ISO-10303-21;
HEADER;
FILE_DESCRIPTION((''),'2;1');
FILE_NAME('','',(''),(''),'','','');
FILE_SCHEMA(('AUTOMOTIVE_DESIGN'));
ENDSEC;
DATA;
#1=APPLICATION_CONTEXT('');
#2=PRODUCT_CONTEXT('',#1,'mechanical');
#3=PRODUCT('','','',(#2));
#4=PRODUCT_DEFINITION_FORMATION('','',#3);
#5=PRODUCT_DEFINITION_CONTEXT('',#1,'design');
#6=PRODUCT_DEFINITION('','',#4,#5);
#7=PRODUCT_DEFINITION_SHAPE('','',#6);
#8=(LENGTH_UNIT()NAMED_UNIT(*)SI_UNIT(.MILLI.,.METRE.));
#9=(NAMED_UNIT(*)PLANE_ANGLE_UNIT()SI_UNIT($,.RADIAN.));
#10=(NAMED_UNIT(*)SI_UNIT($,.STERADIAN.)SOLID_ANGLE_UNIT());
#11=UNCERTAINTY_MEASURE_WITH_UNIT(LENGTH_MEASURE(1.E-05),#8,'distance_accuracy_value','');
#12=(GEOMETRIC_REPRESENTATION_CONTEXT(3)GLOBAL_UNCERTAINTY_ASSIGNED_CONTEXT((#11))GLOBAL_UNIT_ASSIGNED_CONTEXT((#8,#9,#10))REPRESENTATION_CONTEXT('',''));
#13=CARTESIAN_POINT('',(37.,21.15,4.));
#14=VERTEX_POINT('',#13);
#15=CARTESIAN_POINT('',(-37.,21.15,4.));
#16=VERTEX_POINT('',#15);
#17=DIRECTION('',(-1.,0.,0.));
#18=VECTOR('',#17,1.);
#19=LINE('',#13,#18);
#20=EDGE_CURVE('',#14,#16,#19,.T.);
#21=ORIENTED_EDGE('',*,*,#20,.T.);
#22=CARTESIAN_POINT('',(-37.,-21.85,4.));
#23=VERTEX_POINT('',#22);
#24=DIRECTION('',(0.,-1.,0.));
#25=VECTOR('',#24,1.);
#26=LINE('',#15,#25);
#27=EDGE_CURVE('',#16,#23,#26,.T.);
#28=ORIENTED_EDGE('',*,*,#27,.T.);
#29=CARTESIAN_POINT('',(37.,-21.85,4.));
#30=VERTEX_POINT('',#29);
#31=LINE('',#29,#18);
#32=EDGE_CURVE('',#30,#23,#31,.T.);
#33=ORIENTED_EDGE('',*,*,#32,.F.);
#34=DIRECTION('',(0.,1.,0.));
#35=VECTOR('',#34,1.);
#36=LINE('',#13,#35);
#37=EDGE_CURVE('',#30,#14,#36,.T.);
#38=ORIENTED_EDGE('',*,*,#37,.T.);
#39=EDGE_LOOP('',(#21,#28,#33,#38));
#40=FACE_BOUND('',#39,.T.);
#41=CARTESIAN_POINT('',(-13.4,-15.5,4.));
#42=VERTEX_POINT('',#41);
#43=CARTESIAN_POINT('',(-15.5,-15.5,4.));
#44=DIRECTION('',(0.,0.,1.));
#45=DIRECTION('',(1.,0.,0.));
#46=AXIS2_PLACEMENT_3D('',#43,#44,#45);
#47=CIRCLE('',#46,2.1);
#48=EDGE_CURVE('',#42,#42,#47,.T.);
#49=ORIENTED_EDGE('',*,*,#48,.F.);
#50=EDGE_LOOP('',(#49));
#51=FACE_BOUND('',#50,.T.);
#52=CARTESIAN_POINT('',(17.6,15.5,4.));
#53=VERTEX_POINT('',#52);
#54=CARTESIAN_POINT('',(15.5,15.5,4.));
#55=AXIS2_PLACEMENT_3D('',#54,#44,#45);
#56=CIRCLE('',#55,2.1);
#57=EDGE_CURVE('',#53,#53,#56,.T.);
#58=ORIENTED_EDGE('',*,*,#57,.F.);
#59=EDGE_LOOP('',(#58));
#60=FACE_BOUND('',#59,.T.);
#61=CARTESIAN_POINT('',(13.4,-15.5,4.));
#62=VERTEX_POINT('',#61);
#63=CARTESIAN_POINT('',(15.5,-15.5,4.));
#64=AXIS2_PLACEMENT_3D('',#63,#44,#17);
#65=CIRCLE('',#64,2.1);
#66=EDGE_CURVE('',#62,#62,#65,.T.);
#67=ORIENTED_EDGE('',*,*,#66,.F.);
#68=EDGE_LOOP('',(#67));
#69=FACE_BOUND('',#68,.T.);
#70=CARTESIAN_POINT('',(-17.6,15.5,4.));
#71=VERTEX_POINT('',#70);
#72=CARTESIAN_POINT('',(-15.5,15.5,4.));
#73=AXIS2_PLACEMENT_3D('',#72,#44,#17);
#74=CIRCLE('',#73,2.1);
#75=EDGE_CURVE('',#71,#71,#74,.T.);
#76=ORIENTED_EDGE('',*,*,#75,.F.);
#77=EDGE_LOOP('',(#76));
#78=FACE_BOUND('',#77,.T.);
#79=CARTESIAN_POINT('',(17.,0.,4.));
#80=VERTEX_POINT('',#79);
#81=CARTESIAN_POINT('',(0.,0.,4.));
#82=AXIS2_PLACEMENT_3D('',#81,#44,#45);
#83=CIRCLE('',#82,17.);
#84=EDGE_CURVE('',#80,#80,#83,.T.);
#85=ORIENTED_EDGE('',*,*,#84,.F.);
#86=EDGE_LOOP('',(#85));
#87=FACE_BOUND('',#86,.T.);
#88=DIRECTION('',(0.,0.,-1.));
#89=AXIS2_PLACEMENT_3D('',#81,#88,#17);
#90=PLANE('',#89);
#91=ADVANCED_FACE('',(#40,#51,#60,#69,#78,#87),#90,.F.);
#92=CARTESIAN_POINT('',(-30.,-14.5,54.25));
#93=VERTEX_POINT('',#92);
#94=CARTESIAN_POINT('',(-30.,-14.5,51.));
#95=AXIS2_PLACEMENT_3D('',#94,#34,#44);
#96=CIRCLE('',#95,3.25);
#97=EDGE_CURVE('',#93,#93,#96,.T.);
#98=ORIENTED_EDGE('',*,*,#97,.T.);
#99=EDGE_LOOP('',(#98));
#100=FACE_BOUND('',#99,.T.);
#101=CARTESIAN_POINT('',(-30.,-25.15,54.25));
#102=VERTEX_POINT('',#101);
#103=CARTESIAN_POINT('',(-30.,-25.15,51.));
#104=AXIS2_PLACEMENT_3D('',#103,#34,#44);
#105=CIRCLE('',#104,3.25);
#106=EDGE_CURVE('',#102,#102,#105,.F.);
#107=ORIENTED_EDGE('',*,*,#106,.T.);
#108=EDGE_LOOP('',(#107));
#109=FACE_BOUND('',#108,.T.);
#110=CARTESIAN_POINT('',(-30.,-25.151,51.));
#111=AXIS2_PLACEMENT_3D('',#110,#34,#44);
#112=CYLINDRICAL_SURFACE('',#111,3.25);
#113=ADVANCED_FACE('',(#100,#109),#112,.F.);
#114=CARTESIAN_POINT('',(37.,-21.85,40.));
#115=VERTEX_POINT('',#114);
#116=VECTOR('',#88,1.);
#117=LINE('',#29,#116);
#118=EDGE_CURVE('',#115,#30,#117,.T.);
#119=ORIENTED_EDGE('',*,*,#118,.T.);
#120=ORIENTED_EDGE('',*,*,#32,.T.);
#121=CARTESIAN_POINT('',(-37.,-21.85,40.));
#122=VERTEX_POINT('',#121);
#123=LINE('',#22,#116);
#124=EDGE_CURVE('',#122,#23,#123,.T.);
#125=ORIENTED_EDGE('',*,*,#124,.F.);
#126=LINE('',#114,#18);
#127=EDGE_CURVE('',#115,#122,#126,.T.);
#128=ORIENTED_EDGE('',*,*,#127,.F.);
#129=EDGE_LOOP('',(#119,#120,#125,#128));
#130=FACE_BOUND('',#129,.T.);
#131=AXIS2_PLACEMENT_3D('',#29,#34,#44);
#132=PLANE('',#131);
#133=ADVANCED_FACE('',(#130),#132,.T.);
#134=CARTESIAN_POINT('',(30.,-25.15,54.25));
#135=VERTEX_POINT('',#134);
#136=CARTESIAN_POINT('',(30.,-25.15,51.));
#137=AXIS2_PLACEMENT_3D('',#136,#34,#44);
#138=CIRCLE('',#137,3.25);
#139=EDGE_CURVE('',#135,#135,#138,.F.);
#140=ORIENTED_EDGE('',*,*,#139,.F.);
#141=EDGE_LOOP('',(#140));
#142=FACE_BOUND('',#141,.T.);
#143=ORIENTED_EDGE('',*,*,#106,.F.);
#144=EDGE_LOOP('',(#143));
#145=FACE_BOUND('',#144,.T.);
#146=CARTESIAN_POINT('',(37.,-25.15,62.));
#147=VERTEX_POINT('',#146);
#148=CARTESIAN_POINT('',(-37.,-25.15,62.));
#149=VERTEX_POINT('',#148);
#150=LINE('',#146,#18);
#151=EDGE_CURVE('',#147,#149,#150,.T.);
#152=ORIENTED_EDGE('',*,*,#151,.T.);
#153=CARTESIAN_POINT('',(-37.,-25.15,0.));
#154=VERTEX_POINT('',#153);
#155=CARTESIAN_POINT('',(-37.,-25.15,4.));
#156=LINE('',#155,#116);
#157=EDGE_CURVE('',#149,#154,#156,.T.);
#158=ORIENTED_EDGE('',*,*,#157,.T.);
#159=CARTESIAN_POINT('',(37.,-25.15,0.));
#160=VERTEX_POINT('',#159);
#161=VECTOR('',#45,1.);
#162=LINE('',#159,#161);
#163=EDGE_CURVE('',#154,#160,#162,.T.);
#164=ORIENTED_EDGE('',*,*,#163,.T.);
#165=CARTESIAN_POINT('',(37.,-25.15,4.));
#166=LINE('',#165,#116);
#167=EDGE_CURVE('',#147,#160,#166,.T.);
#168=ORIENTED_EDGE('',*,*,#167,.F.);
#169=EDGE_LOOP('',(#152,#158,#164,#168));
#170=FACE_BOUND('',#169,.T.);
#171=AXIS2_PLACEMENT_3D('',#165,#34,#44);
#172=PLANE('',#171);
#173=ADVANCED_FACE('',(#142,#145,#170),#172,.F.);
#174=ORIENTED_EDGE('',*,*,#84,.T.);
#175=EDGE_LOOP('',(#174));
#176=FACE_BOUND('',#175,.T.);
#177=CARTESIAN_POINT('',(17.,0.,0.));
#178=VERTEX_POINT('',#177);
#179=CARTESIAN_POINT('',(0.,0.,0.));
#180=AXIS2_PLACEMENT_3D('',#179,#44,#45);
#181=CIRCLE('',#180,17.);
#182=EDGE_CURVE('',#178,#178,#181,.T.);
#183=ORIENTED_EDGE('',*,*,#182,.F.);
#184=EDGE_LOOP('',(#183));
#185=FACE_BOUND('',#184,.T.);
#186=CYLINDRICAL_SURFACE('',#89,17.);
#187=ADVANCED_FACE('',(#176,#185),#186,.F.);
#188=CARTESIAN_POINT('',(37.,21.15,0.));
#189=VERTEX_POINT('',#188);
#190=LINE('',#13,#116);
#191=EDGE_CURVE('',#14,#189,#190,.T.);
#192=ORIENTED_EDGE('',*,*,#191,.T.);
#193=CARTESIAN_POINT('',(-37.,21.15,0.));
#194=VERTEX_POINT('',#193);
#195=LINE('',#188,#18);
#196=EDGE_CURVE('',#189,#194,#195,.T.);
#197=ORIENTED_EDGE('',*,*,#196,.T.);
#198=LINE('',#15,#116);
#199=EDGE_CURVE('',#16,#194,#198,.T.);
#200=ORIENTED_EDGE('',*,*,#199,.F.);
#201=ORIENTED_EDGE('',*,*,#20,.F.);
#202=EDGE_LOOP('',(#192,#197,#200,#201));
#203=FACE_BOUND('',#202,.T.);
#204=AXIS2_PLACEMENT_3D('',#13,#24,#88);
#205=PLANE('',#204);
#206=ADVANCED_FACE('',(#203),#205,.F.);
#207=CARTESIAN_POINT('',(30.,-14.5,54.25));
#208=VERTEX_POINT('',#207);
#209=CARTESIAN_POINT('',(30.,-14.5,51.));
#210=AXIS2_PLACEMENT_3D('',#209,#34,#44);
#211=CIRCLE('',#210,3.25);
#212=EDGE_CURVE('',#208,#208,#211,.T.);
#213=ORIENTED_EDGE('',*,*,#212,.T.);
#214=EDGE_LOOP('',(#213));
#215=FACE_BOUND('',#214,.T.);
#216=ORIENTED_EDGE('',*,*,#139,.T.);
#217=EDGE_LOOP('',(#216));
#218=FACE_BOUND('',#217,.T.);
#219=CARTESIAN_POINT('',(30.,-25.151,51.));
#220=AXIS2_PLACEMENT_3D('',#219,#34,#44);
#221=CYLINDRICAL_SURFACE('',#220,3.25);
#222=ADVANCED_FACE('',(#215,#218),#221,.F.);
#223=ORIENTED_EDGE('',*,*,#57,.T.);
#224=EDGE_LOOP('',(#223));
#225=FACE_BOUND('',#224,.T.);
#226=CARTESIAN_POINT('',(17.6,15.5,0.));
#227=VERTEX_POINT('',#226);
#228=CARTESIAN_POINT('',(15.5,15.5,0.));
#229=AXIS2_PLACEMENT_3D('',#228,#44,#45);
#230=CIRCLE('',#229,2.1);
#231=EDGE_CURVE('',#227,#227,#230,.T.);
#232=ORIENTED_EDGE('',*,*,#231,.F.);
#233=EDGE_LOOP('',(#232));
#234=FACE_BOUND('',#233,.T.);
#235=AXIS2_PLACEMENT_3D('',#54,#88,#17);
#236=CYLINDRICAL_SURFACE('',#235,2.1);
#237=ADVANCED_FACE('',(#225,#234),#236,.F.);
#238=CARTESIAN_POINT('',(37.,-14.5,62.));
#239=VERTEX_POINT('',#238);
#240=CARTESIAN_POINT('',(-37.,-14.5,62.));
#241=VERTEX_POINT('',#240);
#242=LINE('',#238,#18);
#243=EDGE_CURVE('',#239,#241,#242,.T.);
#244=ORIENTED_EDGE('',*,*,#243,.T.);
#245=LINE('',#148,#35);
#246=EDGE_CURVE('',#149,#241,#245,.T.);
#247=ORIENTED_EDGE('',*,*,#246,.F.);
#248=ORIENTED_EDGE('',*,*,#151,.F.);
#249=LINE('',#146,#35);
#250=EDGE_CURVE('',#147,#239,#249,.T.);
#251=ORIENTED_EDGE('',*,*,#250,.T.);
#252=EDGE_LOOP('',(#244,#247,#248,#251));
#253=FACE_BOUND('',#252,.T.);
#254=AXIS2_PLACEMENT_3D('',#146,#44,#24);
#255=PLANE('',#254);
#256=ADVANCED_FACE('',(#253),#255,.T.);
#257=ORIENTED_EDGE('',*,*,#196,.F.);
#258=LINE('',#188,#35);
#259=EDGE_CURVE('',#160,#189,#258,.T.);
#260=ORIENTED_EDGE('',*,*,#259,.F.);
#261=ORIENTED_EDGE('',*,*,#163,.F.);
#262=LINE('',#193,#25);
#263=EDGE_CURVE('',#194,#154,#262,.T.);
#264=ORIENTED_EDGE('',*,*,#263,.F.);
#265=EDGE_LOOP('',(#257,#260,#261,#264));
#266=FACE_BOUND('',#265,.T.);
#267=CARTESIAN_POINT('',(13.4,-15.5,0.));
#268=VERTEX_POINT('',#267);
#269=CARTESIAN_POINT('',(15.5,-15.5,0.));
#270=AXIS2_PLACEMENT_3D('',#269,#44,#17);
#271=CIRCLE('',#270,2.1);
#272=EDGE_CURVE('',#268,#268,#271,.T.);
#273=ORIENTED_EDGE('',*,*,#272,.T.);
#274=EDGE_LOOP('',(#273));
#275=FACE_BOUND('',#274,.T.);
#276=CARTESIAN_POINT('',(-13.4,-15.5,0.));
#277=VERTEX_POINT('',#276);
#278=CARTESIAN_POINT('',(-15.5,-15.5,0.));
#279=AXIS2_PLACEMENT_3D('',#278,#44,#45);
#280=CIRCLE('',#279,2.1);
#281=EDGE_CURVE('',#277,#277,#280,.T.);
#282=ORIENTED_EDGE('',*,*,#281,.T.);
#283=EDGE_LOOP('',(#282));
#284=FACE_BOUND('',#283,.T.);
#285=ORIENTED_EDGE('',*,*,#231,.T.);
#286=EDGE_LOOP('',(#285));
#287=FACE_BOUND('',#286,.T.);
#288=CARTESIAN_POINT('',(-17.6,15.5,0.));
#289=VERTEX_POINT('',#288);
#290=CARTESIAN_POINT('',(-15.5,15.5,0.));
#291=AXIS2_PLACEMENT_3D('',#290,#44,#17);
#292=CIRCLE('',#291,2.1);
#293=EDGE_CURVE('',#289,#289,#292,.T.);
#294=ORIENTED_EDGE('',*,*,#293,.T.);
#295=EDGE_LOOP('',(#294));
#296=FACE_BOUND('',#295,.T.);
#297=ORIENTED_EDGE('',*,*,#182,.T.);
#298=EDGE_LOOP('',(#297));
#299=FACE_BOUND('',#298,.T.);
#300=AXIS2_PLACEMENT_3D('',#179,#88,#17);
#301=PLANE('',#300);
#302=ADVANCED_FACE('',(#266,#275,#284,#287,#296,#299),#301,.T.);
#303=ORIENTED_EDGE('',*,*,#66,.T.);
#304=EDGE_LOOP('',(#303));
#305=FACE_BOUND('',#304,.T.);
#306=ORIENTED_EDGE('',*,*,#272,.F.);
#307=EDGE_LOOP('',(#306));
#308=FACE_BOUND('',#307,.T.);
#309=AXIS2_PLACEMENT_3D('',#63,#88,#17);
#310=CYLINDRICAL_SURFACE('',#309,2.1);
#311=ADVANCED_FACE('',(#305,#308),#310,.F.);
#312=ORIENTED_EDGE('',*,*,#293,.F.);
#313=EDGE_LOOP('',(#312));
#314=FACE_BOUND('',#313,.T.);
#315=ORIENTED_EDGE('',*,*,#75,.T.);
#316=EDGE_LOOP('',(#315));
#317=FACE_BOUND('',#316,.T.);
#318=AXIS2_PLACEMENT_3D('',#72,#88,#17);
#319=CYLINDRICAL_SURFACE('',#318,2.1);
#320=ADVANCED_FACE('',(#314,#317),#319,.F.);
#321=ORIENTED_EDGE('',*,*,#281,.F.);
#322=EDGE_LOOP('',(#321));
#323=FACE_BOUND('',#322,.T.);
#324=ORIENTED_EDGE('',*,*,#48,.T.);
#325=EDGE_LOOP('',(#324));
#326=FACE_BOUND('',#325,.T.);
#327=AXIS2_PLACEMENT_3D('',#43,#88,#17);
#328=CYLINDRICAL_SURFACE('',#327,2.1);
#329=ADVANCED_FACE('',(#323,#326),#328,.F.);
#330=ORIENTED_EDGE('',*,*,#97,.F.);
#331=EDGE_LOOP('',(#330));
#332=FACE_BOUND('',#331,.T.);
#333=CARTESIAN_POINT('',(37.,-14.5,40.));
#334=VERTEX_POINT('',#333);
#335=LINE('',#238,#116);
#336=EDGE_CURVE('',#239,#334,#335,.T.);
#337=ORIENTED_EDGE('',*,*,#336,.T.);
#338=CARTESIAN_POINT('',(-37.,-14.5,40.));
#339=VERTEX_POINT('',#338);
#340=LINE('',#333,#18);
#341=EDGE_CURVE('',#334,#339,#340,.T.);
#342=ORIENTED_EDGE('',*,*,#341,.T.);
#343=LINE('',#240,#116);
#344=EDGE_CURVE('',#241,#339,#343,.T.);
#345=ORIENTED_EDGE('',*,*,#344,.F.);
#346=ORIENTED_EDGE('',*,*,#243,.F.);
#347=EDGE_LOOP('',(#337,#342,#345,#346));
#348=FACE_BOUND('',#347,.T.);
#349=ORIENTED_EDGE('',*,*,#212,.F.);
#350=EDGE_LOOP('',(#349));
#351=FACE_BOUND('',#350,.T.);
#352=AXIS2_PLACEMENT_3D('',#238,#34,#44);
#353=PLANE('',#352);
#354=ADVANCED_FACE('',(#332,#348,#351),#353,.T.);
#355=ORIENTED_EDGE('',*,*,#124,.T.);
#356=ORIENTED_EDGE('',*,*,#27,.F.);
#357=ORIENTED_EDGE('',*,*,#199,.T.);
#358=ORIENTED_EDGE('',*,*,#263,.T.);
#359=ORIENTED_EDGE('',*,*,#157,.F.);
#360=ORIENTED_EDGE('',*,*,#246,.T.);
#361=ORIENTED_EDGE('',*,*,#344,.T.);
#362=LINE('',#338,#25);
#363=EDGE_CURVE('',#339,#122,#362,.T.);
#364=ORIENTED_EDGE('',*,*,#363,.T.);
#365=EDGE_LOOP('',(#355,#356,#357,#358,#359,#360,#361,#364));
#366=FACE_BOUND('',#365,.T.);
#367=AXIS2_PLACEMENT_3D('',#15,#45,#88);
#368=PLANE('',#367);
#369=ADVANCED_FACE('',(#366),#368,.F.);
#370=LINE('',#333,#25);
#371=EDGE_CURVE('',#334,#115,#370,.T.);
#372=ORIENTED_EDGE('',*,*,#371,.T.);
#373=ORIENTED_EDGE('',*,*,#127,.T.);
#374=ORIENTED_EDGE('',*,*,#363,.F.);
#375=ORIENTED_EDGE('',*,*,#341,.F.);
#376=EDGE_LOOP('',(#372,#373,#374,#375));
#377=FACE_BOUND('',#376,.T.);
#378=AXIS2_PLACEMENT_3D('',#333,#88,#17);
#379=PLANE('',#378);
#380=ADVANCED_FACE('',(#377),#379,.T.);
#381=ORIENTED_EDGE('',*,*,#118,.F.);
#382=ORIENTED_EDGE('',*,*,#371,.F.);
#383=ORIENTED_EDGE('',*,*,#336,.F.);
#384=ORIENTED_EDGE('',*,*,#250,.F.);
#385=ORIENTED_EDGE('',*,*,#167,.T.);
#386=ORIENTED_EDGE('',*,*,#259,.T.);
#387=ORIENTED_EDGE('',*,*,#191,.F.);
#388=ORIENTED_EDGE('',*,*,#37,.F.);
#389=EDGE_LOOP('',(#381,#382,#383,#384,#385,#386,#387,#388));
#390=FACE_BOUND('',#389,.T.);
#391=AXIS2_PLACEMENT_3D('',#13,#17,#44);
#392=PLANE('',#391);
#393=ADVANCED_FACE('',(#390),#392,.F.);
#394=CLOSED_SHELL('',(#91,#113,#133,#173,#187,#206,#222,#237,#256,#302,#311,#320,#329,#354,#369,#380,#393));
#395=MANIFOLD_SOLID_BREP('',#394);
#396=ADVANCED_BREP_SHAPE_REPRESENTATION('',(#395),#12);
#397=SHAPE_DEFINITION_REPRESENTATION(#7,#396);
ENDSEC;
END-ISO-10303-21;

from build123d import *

# Parameters (mm, degrees)
CROQUIS1_W              = 74
CROQUIS1_H              = 46.3
CROQUIS1_R              = 17
CROQUIS1_R_2            = 2.1
SALIENTE_EXTRUIR1_DEPTH = 4
SALIENTE_EXTRUIR3_DEPTH = 74
CORTAR_EXTRUIR2_REACH   = 12.65
CROQUIS6_R              = 3.25


with BuildPart() as part:
    # Croquis1 → Saliente-Extruir1 (new body)
    with BuildSketch(Plane.XY):
        with Locations((0, -2)):
            Rectangle(CROQUIS1_W, CROQUIS1_H)
        Circle(CROQUIS1_R, mode=Mode.SUBTRACT)
        with Locations((-15.5, -15.5)):
            Circle(CROQUIS1_R_2, mode=Mode.SUBTRACT)
        with Locations((-15.5, 15.5)):
            Circle(CROQUIS1_R_2, mode=Mode.SUBTRACT)
        with Locations((15.5, -15.5)):
            Circle(CROQUIS1_R_2, mode=Mode.SUBTRACT)
        with Locations((15.5, 15.5)):
            Circle(CROQUIS1_R_2, mode=Mode.SUBTRACT)
    extrude(amount=SALIENTE_EXTRUIR1_DEPTH)

    # Croquis5 → Saliente-Extruir3 (add)
    with BuildSketch(Plane.ZY.offset(37)):
        Polygon((4, -25.15), (62, -25.15), (62, -14.5), (40, -14.5), (40, -21.85), (4, -21.85), align=None)
    extrude(amount=-SALIENTE_EXTRUIR3_DEPTH)

    # Croquis6 → Cortar-Extruir2 (cut, up to next)
    with BuildSketch(Plane(origin=(0, -14.5, 0), x_dir=(1, 0, 0), z_dir=(0, 1, 0)), mode=Mode.PRIVATE) as cortar_extruir2_sk1:
        with Locations((-30, -51)):
            Circle(CROQUIS6_R)
    cortar_extruir2_tool1 = extrude(cortar_extruir2_sk1.sketch, amount=-CORTAR_EXTRUIR2_REACH, mode=Mode.PRIVATE) & part.part
    add(cortar_extruir2_tool1.solids().sort_by_distance((-30, -14.5, 51))[0], mode=Mode.SUBTRACT)
    # Croquis6 → Cortar-Extruir2 (cut, up to next)
    with BuildSketch(Plane(origin=(0, -14.5, 0), x_dir=(1, 0, 0), z_dir=(0, 1, 0)), mode=Mode.PRIVATE) as cortar_extruir2_sk2:
        with Locations((30, -51)):
            Circle(CROQUIS6_R)
    cortar_extruir2_tool2 = extrude(cortar_extruir2_sk2.sketch, amount=-CORTAR_EXTRUIR2_REACH, mode=Mode.PRIVATE) & part.part
    add(cortar_extruir2_tool2.solids().sort_by_distance((30, -14.5, 51))[0], mode=Mode.SUBTRACT)


solid = part.part
